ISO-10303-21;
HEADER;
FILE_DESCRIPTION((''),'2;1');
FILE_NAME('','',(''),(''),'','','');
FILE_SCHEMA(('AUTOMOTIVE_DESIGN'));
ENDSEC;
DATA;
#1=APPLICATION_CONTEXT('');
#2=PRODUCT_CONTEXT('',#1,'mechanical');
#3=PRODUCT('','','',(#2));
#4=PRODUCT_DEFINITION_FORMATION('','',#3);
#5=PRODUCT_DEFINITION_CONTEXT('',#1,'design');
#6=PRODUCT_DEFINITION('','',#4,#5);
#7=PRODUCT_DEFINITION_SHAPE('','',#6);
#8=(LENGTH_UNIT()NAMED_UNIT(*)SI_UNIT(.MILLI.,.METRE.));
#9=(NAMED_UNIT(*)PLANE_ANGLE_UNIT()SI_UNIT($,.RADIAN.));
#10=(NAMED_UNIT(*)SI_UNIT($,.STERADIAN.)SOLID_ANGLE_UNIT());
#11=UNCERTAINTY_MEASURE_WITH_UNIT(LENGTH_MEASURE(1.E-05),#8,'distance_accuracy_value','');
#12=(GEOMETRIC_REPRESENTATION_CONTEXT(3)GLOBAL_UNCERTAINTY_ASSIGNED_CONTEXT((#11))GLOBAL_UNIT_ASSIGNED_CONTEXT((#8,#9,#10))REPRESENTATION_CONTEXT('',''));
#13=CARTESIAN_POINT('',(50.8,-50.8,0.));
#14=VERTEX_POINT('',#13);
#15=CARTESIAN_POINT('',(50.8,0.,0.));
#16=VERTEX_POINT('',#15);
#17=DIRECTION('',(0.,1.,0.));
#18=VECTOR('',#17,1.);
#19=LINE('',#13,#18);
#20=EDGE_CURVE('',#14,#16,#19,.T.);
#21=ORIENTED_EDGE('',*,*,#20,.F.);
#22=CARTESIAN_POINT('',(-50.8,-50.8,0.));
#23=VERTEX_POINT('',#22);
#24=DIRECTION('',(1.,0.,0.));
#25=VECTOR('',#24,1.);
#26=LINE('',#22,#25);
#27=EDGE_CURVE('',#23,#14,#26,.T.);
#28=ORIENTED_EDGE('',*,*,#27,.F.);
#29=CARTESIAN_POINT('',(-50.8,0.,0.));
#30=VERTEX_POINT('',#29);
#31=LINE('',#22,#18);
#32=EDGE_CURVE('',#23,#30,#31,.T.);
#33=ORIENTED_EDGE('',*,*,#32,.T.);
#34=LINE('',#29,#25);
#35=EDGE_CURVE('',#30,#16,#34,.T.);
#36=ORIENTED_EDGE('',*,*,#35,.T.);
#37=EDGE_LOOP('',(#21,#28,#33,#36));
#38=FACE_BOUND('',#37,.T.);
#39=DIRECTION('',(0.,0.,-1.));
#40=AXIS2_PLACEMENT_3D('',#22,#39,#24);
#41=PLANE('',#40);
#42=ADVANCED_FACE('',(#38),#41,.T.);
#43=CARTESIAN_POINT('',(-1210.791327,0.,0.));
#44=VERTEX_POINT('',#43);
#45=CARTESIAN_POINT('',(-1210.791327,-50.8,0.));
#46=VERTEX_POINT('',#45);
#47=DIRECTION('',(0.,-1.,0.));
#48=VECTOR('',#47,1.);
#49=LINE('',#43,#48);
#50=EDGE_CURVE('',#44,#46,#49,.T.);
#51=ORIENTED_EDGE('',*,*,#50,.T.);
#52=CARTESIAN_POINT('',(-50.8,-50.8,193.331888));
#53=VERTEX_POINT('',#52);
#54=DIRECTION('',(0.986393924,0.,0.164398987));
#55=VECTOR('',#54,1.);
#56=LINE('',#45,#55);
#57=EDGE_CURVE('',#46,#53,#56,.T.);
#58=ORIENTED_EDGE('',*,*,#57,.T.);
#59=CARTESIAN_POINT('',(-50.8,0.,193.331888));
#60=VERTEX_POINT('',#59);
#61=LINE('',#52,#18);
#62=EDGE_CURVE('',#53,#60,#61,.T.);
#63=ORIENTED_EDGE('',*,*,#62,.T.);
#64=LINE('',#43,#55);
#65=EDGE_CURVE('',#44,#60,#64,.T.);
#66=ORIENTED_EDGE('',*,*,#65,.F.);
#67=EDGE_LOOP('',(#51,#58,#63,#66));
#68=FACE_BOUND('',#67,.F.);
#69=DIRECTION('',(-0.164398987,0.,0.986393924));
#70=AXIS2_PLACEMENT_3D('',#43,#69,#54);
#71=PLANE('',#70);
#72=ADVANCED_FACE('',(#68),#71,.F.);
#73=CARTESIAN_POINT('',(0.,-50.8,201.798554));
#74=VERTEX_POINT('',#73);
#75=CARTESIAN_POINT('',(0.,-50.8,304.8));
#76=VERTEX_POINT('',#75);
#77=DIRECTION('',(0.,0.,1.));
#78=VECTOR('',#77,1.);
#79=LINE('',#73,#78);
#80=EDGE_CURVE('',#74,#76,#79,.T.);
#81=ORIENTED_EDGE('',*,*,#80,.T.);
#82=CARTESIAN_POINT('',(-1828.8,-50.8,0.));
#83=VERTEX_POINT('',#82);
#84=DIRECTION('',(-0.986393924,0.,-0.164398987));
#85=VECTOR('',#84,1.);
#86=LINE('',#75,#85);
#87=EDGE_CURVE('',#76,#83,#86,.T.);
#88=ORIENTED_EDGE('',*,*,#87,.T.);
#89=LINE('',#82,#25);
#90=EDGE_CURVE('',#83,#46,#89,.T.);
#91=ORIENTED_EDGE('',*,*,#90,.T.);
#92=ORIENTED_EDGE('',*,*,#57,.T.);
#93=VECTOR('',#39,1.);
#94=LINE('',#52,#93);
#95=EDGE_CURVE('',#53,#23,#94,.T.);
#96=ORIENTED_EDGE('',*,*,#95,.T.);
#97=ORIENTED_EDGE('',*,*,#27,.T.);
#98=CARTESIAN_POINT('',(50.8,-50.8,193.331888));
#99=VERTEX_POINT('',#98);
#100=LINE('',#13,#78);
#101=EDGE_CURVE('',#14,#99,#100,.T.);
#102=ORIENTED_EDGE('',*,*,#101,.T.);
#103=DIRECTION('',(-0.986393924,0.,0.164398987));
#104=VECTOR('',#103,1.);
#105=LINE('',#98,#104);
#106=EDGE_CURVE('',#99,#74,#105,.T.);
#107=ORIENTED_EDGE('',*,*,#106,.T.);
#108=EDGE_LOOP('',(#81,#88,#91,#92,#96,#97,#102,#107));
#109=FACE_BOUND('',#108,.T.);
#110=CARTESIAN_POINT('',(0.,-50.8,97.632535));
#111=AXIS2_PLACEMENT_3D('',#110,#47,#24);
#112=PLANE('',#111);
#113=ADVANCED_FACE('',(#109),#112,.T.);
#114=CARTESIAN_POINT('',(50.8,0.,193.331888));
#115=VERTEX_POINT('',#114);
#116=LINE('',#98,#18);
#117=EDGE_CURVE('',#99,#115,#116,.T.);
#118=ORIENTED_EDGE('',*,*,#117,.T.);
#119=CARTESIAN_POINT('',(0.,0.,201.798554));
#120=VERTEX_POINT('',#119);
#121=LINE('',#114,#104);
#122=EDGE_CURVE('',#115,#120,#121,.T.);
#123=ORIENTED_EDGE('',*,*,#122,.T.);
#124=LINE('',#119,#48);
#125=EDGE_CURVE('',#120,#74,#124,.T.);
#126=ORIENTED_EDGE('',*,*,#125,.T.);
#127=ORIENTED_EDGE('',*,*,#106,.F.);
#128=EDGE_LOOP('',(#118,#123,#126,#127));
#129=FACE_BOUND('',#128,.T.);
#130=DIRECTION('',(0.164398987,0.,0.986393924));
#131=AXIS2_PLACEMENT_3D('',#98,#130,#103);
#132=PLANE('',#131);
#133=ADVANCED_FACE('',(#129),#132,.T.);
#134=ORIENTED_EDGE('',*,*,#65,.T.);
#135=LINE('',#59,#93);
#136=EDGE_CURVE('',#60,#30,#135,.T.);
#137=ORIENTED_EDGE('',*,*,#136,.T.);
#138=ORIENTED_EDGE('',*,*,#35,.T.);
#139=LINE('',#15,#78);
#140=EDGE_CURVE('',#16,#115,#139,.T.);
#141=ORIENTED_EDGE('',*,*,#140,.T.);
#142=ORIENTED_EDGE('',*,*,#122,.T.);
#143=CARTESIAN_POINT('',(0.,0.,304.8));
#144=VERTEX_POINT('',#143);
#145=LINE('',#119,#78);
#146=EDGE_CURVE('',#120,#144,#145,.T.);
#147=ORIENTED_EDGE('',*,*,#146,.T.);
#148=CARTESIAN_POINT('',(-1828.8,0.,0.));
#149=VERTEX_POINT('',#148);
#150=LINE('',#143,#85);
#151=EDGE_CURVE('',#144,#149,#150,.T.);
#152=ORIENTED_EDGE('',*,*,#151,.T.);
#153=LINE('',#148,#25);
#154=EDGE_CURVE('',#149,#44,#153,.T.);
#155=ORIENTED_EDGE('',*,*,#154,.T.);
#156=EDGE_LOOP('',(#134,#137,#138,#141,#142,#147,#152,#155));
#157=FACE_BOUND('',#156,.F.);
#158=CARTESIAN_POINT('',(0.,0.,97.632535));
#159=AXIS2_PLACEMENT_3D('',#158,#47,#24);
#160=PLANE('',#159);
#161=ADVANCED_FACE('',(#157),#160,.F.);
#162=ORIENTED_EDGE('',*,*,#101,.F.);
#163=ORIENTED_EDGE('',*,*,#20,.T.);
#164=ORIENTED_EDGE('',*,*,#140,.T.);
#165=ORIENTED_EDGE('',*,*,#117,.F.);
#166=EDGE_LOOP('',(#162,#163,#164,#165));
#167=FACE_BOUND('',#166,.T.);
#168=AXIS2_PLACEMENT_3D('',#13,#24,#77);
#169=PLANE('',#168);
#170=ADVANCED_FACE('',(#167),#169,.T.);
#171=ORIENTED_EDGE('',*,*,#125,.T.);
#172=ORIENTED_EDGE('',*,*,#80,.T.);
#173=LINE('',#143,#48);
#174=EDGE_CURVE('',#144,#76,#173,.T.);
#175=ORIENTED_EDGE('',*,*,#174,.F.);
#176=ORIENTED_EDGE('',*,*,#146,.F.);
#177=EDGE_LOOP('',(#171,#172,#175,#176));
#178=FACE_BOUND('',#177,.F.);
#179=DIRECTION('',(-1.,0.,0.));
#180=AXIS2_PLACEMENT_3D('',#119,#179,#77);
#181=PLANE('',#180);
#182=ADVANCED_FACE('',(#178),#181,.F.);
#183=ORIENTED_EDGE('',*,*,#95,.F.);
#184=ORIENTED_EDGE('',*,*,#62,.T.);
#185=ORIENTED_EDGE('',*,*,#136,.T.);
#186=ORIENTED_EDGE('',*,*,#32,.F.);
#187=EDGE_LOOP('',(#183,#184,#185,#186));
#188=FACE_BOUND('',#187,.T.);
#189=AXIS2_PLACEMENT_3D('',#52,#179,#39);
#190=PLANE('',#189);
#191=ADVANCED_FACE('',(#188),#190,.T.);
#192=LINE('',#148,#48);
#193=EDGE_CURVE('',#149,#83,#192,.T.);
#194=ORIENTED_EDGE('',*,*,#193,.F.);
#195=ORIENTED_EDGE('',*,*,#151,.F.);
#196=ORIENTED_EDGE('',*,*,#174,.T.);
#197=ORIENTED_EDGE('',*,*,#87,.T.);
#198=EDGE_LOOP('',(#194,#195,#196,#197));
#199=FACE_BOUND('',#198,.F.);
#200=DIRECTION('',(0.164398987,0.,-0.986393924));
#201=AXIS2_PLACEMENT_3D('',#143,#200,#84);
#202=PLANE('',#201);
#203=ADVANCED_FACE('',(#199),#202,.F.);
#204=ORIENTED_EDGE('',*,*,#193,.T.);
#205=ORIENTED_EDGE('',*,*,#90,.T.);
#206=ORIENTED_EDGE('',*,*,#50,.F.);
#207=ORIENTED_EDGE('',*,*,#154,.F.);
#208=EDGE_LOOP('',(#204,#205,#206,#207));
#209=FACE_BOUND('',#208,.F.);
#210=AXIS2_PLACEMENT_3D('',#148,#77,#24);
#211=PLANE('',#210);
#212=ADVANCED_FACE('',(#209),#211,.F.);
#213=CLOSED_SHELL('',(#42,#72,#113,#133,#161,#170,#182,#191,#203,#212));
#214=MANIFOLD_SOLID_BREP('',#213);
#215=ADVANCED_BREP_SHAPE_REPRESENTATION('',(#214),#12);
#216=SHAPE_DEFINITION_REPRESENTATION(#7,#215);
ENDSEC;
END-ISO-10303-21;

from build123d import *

# Parameters (mm, degrees)
F1_DEPTH = 50.8
F3_DEPTH = 50.8


with BuildPart() as f1:
    # F0 (on Front) → F1 (new body)
    with BuildSketch(Plane.XZ):
        Polygon((0, 304.8), (-1828.8, 0), (-1210.7913269217, 0), (0, 201.798554487), align=None)
    extrude(amount=F1_DEPTH)

    # F2 (on face) → F3 (join)
    with BuildSketch(Plane.XZ.offset(50.8)):
        Polygon((50.8, 193.3318878203), (0, 201.798554487), (-50.8, 193.3318878203), (-50.8, 0), (50.8, 0), align=None)
    extrude(amount=-F3_DEPTH)


solid = f1.part
